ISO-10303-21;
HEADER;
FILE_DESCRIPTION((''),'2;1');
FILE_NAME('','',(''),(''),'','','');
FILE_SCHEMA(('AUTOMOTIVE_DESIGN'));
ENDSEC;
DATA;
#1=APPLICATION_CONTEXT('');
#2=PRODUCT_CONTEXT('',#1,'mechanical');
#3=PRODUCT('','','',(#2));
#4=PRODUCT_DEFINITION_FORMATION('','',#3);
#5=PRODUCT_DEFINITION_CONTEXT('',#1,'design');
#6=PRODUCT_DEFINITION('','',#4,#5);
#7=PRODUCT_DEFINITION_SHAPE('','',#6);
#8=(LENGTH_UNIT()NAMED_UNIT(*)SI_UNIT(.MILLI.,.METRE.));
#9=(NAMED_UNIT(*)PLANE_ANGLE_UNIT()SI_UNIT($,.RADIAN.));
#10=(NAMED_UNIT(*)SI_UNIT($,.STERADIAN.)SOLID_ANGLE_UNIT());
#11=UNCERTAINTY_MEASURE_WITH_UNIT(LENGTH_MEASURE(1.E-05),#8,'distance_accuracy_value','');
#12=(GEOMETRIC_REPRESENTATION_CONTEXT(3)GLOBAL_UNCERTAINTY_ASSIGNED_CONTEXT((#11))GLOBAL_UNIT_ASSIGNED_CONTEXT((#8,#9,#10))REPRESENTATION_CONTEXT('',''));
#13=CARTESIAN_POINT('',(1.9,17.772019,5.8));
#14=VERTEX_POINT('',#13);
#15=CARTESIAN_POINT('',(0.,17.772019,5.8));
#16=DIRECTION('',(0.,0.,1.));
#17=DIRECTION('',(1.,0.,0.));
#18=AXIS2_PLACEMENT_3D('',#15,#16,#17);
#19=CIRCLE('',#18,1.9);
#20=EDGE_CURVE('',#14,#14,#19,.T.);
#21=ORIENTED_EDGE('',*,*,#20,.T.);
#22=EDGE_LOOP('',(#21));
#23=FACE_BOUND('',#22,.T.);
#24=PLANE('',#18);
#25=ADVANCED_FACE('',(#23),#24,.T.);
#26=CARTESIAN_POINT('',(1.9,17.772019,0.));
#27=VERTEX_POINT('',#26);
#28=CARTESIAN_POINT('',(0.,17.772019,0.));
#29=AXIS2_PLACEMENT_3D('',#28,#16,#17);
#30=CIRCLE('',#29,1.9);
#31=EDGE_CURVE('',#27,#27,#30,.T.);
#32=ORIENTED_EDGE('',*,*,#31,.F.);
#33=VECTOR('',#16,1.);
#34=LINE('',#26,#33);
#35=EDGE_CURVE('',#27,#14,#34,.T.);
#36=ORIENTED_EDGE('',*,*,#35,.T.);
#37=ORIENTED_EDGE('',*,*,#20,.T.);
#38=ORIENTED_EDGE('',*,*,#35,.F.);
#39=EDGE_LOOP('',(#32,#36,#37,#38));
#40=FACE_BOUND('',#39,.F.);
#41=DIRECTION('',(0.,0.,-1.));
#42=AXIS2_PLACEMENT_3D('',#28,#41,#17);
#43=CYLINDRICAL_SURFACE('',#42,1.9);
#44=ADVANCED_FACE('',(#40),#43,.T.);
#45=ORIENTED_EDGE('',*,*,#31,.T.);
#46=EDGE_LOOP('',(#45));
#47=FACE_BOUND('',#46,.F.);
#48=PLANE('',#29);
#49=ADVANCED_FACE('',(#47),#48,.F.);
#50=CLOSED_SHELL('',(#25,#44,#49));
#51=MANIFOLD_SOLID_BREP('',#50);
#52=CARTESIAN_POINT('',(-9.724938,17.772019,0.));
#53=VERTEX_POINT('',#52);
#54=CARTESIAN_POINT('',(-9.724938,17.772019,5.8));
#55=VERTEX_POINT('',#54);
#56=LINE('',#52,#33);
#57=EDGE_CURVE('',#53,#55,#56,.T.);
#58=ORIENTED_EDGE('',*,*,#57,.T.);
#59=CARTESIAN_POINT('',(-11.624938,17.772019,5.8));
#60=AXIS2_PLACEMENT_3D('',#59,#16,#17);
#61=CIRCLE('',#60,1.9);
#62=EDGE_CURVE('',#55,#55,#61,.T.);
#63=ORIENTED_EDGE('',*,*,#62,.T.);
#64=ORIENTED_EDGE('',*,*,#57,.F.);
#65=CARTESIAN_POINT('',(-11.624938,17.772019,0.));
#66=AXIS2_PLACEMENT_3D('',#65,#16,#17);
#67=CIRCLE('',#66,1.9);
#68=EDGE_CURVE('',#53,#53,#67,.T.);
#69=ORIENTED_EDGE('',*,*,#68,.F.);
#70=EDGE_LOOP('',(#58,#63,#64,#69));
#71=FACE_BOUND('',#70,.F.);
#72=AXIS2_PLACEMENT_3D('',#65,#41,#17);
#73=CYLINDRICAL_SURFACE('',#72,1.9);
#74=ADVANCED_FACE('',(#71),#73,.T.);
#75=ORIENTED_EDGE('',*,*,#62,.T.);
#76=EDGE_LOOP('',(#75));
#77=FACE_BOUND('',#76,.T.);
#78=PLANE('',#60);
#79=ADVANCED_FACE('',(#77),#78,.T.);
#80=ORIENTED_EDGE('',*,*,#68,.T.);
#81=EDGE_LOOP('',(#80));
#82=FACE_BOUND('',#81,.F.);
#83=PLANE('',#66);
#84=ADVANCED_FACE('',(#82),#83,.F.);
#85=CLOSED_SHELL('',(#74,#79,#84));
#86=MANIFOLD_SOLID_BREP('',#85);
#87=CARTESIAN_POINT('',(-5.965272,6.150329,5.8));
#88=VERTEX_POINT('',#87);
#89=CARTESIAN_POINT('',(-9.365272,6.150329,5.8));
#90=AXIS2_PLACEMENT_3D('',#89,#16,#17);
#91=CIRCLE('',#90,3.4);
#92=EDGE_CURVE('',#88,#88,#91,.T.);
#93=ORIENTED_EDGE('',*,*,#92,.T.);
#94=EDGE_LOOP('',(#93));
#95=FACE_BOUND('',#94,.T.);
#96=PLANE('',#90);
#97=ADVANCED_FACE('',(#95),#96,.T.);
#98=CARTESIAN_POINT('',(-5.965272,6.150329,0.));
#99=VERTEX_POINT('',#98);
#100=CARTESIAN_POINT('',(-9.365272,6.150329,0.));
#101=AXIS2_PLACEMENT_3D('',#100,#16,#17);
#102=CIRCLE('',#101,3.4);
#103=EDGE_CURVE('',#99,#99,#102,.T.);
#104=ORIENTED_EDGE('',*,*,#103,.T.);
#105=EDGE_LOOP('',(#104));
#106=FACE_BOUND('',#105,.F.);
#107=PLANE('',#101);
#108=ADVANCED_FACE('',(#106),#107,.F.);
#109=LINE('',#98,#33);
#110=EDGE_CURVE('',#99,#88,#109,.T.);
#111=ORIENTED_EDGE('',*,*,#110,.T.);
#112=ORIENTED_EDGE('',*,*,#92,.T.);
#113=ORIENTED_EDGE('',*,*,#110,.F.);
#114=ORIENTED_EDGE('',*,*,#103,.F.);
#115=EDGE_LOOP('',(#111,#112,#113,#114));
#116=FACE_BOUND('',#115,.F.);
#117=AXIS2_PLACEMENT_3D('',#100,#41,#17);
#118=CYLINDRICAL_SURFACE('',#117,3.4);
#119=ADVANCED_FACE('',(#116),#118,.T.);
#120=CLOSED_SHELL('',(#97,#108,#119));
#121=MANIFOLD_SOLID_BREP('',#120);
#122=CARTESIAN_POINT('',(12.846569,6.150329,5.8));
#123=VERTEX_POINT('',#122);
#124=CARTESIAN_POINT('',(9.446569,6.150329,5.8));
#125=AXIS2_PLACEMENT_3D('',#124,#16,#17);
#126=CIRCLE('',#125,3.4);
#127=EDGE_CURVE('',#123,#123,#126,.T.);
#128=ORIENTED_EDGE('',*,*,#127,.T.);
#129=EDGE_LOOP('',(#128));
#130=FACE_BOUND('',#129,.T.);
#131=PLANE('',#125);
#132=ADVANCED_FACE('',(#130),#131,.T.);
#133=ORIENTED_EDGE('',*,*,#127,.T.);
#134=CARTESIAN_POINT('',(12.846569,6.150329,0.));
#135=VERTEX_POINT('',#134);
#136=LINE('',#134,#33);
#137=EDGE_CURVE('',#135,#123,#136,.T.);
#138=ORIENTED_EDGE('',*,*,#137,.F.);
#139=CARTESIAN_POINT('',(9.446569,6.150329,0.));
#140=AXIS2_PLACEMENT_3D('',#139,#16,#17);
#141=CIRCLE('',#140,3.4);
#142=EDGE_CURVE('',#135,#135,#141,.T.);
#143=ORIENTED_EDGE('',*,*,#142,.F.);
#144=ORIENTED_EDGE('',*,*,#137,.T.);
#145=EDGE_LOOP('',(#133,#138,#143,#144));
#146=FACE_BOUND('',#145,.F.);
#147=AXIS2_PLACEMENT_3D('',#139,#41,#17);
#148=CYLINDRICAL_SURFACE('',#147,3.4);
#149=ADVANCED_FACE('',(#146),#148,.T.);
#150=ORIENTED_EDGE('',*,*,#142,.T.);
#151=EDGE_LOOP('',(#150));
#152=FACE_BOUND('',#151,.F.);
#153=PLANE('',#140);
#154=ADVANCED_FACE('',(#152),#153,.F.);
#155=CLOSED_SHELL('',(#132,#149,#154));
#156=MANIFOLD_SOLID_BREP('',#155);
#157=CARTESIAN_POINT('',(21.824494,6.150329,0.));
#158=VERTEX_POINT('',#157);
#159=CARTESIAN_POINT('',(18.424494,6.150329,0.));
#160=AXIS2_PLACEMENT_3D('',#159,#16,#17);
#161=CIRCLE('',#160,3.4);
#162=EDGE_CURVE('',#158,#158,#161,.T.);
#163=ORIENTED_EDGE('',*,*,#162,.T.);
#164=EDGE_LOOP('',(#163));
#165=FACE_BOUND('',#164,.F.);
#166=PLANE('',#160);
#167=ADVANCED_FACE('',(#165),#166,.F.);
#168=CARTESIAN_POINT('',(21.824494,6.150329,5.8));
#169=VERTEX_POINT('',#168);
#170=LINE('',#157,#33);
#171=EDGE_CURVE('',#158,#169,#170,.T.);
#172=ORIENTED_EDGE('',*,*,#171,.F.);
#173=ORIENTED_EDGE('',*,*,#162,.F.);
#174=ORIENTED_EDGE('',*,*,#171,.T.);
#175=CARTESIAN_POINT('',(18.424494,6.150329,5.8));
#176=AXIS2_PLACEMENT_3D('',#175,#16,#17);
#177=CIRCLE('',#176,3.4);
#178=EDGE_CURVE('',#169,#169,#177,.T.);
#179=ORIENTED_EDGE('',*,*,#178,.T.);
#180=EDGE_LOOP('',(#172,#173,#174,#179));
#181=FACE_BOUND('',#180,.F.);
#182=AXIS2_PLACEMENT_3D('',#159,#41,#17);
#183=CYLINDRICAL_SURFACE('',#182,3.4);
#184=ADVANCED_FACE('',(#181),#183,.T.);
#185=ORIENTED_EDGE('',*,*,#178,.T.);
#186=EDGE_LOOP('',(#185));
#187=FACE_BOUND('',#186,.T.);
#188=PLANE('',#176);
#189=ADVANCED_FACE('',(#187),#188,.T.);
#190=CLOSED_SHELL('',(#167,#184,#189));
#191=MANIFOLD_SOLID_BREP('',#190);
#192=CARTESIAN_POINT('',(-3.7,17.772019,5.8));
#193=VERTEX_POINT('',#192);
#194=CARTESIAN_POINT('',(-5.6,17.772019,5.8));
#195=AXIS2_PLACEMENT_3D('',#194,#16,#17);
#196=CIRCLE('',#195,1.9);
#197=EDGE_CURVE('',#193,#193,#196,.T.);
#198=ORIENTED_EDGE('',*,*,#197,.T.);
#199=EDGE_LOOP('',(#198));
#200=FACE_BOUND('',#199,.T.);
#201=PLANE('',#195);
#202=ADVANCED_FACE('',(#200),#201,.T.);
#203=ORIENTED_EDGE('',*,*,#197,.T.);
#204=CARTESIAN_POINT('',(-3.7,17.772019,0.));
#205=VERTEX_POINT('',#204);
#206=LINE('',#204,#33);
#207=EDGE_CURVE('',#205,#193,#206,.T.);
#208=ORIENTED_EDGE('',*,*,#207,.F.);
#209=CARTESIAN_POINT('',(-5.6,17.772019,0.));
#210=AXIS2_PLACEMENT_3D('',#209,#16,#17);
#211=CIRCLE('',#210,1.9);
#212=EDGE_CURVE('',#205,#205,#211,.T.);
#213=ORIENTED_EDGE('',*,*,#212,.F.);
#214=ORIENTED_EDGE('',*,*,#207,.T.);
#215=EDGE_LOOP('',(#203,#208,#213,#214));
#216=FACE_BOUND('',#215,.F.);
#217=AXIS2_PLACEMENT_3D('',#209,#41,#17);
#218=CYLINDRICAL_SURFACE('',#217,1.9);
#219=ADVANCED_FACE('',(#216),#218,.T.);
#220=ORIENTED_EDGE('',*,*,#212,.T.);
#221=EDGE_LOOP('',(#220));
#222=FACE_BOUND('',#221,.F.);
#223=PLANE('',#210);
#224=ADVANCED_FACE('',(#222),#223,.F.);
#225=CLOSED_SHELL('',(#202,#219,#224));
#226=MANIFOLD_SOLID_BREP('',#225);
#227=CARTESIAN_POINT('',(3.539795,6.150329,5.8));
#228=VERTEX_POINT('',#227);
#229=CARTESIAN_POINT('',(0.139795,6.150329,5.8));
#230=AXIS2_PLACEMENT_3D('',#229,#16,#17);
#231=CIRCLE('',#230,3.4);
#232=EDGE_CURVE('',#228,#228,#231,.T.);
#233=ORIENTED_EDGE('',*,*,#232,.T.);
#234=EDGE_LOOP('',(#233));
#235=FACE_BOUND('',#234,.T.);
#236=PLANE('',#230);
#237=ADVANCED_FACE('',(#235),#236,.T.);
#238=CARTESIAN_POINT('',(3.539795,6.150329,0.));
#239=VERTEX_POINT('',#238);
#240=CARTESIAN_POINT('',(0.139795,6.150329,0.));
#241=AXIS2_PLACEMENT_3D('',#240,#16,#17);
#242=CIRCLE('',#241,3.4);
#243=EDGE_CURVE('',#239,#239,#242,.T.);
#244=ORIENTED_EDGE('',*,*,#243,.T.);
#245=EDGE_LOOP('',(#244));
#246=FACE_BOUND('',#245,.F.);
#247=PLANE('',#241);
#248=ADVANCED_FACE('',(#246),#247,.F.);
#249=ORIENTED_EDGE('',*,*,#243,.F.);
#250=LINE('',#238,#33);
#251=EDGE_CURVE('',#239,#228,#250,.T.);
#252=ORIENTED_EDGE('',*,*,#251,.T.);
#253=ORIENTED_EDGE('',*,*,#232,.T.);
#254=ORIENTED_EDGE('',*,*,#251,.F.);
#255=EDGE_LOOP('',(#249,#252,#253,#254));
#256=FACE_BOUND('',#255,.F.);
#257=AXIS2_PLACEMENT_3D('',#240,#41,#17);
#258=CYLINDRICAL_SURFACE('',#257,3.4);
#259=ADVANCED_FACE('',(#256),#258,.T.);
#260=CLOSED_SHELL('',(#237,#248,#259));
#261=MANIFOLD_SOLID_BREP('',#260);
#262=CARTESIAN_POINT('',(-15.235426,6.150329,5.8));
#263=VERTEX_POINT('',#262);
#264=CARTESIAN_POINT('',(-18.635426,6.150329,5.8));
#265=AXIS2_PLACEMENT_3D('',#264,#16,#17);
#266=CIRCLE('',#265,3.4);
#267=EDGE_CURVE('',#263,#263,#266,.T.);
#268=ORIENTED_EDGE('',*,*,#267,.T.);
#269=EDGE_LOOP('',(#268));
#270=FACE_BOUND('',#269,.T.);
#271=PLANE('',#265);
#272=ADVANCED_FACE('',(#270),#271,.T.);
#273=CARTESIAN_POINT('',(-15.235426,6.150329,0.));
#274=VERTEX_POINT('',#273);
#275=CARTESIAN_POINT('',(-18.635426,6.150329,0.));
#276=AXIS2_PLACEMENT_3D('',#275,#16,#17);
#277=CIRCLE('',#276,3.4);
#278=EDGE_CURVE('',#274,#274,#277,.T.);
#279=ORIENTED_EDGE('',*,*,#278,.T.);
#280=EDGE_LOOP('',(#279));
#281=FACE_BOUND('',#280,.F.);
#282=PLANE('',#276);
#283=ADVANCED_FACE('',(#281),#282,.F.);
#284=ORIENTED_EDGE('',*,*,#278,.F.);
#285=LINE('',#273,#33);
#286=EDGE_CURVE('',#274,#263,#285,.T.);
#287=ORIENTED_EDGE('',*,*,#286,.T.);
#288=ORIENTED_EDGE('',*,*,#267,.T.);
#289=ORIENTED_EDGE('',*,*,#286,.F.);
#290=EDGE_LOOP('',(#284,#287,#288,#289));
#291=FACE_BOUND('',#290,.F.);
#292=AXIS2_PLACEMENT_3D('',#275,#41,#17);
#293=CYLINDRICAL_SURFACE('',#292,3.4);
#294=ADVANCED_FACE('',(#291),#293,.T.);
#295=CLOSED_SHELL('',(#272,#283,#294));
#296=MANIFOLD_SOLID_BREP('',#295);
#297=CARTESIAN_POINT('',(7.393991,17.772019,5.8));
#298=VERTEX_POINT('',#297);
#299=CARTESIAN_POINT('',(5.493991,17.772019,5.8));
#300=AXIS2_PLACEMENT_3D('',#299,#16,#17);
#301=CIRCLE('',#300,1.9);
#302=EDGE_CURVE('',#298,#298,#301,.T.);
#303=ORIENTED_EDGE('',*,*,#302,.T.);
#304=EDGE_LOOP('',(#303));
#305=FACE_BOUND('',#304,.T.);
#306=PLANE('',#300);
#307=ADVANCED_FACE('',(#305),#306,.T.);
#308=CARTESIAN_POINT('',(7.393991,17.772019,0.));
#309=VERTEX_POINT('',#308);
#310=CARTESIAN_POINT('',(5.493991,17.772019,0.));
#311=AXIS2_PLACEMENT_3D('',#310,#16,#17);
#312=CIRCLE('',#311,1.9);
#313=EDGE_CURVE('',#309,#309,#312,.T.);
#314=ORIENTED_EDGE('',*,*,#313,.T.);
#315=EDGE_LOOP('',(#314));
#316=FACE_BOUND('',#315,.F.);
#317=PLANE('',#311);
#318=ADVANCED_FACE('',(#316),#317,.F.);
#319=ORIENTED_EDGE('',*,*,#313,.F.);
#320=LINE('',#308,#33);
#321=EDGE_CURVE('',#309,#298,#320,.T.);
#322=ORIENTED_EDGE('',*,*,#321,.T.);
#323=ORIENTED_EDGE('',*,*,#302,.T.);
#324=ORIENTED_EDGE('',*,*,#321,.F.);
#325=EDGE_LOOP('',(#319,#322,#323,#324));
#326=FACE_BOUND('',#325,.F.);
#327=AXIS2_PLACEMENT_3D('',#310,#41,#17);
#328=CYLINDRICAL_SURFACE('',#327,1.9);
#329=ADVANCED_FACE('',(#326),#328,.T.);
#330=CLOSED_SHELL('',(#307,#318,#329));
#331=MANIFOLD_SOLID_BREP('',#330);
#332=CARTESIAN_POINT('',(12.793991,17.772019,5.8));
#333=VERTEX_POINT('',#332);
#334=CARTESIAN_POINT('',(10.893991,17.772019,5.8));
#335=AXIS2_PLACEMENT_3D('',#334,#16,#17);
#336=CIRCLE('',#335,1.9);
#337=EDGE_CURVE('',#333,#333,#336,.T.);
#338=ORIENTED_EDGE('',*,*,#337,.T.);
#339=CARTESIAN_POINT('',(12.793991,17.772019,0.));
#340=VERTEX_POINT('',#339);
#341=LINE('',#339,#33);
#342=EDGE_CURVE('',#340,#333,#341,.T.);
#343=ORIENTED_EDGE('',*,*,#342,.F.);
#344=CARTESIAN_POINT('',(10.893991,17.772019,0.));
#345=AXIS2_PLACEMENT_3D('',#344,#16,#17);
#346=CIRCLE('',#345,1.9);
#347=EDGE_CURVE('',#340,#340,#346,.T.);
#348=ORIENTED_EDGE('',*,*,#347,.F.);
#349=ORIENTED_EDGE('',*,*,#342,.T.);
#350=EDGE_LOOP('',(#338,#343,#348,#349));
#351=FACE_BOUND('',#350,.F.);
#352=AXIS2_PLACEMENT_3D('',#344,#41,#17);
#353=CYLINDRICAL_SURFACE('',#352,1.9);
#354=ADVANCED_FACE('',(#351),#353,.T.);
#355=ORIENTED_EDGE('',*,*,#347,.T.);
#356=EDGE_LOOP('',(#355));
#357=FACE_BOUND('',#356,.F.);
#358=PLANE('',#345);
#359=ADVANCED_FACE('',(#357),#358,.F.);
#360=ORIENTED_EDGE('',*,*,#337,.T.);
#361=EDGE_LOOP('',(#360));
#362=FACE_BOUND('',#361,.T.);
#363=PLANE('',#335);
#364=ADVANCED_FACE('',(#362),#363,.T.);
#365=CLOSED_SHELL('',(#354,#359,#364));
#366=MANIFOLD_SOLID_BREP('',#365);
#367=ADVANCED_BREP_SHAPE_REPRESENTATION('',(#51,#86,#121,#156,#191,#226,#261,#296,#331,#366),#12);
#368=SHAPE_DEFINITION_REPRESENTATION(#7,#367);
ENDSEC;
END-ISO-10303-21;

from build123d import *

# Parameters (mm, degrees)
F0_R     = 1.9
F0_R_2   = 3.4
F1_DEPTH = 5.8


with BuildPart() as f1:
    # F0 (on Top) → F1 (new body)
    with BuildSketch(Plane.XY):
        with Locations((10.893991, 17.772019)):
            Circle(F0_R)
        with Locations((18.424494, 6.150329)):
            Circle(F0_R_2)
        with Locations((9.446569, 6.150329)):
            Circle(F0_R_2)
        with Locations((0.139795, 6.150329)):
            Circle(F0_R_2)
        with Locations((-9.365272, 6.150329)):
            Circle(F0_R_2)
        with Locations((-18.635426, 6.150329)):
            Circle(F0_R_2)
        with Locations((5.493991, 17.772019)):
            Circle(F0_R)
        with Locations((0, 17.772019)):
            Circle(F0_R)
        with Locations((-5.6, 17.772019)):
            Circle(F0_R)
        with Locations((-11.624938, 17.772019)):
            Circle(F0_R)
    extrude(amount=F1_DEPTH)


solid = f1.part
